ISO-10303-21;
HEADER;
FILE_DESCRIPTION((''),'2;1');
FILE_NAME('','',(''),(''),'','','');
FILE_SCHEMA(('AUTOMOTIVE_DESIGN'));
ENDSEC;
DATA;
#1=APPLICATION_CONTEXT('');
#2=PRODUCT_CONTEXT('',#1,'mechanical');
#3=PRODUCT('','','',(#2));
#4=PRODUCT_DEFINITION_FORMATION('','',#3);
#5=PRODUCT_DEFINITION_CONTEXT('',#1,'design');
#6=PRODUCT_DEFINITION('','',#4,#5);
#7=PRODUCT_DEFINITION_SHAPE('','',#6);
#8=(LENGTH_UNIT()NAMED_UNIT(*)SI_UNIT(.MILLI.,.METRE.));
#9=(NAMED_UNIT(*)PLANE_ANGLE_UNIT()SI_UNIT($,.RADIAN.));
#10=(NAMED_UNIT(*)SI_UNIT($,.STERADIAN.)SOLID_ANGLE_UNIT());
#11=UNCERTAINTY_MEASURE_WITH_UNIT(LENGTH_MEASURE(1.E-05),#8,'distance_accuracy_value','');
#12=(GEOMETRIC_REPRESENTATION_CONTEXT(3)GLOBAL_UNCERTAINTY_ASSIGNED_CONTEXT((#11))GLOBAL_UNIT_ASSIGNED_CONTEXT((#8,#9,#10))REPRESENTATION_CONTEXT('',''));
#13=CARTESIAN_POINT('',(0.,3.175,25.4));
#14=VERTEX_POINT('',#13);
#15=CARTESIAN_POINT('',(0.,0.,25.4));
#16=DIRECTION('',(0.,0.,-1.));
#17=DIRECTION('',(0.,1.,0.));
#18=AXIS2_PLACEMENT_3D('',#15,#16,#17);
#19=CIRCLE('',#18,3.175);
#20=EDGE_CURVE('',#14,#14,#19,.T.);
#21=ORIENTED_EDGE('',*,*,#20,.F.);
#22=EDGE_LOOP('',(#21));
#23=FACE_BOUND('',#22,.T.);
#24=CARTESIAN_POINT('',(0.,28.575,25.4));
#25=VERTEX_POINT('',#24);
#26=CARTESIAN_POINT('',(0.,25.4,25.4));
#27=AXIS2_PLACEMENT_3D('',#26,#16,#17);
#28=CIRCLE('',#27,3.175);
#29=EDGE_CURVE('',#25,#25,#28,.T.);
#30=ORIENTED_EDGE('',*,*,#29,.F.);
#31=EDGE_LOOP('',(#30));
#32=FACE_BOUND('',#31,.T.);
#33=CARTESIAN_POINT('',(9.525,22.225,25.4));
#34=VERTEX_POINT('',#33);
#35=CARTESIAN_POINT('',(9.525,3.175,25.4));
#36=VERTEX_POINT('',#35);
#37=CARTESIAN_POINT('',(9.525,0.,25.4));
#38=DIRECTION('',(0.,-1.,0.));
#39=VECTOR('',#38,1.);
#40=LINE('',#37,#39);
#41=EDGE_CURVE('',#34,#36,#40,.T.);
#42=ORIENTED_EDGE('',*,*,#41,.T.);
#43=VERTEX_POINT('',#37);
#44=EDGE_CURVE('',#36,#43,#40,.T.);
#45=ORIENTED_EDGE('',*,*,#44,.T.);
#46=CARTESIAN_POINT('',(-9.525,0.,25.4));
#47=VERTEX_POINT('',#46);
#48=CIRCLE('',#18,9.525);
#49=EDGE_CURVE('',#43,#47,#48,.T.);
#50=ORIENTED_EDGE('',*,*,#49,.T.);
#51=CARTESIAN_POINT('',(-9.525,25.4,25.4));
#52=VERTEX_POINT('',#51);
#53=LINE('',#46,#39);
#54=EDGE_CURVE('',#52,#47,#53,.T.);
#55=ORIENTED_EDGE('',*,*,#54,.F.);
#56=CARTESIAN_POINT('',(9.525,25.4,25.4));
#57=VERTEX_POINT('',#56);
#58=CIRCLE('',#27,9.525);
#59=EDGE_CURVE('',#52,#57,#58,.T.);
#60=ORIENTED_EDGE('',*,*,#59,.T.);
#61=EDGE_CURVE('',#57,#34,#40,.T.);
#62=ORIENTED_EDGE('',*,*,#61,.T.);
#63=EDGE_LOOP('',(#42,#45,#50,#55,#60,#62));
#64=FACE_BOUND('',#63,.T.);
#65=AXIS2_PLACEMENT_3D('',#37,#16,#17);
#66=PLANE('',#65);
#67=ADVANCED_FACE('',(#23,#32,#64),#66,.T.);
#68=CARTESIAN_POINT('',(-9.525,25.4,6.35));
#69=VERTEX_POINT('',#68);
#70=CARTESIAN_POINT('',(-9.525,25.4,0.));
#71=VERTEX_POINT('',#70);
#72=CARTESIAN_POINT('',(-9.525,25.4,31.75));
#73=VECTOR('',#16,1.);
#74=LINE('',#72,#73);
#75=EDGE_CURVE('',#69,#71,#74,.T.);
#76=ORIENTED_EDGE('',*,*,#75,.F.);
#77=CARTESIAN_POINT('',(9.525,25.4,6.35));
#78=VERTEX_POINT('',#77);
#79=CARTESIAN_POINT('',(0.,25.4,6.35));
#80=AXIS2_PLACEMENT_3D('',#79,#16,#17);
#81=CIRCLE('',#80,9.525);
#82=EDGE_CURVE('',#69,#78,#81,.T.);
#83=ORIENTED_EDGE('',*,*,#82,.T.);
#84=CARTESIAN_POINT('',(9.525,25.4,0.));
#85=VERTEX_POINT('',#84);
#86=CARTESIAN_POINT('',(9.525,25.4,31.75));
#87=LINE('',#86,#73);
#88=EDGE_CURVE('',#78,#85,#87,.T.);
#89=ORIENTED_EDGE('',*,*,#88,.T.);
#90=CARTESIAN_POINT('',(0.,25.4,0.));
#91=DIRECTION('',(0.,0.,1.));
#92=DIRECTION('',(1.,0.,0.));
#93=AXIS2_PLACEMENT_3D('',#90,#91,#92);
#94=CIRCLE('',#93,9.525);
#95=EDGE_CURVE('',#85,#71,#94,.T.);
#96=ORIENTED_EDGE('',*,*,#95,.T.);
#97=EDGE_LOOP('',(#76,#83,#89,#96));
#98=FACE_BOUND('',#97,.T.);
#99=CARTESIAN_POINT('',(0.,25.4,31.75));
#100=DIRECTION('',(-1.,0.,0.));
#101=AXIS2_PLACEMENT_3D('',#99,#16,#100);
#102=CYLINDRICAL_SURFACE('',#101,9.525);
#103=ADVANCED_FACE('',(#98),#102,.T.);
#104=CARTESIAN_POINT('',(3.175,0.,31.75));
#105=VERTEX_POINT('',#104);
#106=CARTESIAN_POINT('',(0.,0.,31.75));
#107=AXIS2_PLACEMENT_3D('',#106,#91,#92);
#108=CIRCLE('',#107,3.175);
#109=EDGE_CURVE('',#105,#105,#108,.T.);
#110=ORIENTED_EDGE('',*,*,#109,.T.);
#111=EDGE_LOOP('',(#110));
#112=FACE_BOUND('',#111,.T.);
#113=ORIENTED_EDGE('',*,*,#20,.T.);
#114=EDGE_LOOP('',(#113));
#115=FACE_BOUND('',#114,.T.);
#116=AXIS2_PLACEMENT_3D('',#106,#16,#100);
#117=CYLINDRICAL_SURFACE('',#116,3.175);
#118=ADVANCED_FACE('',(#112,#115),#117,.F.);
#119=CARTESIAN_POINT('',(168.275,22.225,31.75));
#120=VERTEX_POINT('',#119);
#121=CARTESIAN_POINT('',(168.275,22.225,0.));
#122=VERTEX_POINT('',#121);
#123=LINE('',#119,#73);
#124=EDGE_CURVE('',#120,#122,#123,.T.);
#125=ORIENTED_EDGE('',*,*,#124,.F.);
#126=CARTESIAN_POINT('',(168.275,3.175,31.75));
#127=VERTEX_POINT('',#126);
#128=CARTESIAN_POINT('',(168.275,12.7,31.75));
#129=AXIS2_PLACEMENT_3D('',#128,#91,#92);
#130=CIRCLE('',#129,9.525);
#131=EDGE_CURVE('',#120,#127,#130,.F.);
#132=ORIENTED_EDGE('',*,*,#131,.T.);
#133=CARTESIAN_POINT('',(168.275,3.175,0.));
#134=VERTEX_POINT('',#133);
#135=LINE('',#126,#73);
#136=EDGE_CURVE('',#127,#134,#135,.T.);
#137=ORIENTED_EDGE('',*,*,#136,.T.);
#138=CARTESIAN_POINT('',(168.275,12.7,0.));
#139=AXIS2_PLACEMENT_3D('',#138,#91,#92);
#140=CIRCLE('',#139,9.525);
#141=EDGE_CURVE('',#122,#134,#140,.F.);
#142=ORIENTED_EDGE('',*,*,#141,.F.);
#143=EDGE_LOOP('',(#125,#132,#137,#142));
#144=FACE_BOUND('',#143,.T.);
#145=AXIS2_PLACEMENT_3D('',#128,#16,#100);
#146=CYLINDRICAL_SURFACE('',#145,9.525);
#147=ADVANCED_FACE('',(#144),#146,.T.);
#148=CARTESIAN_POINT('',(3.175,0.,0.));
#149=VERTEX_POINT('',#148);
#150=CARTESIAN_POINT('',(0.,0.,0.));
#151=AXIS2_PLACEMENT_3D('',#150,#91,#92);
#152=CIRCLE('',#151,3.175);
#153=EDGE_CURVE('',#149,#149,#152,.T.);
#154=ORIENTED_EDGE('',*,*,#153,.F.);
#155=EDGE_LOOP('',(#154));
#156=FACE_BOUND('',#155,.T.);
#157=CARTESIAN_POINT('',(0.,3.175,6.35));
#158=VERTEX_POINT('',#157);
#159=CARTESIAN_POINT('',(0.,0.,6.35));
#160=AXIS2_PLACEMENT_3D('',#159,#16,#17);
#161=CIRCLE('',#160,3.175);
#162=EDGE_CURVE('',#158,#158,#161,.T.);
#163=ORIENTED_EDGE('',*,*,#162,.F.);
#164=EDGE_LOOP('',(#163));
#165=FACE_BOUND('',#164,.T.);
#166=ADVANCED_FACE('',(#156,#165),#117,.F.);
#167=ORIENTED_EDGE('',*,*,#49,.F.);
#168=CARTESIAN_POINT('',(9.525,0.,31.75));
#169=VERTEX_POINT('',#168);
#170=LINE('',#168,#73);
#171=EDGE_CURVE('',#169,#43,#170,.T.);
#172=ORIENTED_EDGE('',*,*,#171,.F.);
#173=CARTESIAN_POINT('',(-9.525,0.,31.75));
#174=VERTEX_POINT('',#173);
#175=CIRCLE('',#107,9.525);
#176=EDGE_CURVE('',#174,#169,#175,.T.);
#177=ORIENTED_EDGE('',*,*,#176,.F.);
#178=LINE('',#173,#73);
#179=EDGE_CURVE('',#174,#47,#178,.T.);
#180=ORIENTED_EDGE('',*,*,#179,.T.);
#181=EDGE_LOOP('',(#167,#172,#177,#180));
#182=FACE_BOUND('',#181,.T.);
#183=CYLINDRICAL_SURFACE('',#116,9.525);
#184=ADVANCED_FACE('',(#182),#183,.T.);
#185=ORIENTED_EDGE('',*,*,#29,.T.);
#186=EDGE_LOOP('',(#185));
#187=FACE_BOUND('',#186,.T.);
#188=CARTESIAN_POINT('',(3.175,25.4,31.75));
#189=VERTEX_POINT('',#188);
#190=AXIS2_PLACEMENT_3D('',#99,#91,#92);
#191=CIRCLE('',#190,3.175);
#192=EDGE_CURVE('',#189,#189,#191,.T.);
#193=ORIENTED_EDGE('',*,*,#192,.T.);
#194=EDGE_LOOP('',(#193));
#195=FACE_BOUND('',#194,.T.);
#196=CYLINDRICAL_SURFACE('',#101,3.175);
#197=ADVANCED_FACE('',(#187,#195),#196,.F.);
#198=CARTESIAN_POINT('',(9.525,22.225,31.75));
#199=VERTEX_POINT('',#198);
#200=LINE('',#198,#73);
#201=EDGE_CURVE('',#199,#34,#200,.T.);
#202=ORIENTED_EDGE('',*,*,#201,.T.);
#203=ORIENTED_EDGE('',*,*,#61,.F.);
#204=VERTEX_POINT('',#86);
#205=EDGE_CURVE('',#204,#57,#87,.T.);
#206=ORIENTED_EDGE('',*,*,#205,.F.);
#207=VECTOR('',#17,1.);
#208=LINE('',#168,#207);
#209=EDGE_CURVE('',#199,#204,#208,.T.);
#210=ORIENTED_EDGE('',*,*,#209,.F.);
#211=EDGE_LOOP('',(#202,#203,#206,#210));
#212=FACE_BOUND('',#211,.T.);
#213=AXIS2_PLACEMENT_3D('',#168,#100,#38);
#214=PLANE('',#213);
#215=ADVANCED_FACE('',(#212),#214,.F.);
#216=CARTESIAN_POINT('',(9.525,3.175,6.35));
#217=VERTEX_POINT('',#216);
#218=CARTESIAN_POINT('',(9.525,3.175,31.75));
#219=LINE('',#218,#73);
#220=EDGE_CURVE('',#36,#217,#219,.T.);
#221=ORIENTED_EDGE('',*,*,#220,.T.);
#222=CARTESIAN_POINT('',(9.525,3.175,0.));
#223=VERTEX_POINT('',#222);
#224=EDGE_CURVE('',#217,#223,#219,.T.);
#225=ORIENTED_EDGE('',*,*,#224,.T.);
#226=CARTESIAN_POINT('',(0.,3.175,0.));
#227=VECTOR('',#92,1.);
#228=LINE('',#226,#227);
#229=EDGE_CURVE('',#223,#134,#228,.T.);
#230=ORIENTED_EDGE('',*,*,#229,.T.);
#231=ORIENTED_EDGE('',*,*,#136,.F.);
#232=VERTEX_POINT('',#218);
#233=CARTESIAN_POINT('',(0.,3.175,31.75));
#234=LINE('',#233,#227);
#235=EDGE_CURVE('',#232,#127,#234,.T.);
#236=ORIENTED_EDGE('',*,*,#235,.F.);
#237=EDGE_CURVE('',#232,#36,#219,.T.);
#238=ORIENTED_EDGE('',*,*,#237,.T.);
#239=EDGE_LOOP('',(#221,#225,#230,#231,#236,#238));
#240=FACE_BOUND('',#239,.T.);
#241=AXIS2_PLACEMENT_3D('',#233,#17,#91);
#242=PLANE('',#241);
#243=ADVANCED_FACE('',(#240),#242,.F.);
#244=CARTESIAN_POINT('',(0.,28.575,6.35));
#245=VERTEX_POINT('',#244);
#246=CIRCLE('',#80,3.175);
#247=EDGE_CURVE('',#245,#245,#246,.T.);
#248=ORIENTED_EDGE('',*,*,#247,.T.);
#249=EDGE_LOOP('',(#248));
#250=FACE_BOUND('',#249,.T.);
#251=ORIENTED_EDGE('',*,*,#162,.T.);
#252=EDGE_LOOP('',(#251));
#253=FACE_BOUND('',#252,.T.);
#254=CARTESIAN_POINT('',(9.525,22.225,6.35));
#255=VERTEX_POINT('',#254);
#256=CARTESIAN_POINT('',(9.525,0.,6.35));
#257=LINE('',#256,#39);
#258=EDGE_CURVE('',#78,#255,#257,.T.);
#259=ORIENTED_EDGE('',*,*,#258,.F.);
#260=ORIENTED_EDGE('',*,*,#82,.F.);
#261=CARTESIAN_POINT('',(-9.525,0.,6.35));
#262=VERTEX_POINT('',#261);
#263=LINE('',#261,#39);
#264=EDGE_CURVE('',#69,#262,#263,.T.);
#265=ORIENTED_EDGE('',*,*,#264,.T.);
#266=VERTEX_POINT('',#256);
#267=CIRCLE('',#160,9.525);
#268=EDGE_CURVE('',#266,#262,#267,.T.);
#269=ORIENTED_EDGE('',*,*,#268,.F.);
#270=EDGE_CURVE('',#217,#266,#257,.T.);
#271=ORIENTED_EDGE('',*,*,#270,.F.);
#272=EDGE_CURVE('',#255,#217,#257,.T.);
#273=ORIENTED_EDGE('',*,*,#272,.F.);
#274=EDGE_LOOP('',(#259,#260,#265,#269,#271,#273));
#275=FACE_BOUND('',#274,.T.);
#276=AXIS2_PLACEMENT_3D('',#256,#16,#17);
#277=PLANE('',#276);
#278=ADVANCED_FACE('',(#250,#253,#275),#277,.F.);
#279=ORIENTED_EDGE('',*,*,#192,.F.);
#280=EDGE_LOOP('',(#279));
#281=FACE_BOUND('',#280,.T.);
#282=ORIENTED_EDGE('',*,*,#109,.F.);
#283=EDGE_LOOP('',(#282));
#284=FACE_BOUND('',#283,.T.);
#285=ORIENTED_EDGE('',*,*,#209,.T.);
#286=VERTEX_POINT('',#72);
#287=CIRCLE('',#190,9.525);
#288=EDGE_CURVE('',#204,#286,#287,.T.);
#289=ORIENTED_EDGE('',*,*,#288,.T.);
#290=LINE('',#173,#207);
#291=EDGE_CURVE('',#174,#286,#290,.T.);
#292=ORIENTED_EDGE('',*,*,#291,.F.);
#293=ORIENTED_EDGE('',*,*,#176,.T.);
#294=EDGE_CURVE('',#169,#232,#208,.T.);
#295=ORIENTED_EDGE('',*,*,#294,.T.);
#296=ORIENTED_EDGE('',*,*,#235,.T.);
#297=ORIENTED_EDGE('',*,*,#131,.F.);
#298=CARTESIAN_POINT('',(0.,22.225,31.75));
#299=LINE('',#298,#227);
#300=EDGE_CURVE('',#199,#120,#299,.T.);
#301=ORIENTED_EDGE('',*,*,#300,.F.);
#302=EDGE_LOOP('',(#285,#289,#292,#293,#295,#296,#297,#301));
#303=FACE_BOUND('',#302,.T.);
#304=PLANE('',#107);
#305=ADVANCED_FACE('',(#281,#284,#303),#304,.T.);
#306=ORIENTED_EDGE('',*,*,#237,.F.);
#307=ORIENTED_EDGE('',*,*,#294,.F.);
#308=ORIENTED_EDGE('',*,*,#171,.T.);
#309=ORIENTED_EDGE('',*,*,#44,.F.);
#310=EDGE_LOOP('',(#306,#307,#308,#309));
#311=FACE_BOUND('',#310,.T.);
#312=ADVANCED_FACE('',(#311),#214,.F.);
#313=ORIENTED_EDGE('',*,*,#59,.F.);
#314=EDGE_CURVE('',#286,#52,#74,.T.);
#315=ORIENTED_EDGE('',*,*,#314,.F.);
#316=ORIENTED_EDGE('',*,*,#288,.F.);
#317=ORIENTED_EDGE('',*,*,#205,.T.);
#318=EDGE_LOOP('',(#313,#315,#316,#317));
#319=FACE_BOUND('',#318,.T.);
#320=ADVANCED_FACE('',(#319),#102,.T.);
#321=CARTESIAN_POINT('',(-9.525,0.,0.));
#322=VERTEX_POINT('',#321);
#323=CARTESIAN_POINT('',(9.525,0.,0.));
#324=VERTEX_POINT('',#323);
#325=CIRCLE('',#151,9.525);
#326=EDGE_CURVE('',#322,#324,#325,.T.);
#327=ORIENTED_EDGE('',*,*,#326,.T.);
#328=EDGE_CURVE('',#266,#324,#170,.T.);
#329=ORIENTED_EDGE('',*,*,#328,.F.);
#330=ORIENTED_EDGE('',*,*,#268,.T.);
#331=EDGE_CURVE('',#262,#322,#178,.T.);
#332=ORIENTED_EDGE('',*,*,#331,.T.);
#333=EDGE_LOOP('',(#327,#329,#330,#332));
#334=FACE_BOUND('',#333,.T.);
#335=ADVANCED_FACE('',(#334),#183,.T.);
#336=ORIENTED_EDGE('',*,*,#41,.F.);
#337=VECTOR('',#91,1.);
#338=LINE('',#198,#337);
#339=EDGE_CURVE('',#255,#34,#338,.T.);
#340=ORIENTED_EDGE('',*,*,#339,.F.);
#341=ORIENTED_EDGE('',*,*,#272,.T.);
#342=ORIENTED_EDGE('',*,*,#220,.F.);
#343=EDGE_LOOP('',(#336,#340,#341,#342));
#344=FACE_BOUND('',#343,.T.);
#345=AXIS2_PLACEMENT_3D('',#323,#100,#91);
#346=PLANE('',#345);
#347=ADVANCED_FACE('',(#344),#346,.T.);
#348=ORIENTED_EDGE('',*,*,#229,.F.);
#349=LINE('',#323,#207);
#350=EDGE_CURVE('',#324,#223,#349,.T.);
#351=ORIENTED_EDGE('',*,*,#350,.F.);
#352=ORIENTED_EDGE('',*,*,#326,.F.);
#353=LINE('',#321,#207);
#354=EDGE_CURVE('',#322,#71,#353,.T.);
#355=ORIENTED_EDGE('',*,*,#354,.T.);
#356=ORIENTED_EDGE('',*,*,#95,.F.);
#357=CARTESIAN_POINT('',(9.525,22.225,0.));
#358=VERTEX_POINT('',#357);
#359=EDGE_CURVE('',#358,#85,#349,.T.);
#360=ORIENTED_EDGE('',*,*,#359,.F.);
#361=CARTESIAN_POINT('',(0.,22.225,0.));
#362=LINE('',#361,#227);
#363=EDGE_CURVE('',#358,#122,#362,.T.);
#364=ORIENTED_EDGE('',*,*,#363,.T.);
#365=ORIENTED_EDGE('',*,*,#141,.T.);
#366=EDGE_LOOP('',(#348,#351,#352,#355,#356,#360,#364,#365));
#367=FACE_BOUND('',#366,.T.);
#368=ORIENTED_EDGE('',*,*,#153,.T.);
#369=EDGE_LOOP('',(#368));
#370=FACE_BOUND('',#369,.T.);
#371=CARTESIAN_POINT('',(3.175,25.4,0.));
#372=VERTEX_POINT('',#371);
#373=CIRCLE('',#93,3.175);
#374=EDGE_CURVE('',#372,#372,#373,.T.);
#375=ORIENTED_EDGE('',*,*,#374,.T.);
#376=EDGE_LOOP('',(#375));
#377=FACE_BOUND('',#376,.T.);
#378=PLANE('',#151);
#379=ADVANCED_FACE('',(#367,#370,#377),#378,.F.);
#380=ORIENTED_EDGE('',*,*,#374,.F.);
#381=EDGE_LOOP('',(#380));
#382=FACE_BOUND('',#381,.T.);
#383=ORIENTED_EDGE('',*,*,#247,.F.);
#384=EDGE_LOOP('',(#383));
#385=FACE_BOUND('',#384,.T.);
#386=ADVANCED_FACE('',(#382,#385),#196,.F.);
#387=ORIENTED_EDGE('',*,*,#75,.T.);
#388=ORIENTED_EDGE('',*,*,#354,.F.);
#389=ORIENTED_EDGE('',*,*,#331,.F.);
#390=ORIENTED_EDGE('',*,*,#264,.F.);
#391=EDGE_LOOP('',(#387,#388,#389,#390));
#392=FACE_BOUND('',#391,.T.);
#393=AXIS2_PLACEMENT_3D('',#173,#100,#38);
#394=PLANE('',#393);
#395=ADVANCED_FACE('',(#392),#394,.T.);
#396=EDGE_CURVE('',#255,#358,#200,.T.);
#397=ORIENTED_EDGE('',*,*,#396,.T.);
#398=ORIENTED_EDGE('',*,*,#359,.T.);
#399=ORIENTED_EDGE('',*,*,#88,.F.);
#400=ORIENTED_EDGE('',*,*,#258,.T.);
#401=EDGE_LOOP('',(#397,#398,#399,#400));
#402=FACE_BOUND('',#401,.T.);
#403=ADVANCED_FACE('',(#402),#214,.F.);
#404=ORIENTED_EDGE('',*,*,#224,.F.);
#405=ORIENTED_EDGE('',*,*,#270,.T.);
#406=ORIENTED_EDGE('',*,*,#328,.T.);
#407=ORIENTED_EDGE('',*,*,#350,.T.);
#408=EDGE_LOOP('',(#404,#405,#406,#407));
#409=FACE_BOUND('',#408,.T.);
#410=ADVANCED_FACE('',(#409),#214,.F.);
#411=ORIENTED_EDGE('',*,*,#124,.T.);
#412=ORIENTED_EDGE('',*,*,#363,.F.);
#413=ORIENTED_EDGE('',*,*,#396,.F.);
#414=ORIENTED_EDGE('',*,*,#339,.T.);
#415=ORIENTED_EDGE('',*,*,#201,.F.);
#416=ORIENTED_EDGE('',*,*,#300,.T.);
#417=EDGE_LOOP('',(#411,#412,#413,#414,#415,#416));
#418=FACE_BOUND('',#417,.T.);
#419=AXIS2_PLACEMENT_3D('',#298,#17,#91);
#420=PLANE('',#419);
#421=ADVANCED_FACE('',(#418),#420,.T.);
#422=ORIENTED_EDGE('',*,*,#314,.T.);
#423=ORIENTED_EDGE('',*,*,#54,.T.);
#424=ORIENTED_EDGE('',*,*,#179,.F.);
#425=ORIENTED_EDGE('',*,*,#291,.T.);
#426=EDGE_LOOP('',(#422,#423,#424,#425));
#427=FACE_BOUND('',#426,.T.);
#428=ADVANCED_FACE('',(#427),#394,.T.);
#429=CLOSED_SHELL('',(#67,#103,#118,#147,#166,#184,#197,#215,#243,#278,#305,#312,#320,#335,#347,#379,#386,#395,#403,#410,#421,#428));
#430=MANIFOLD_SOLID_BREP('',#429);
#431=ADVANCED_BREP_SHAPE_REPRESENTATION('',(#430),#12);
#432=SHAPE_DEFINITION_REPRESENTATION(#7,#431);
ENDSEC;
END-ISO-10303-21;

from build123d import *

# Parameters (mm, degrees)
SKETCH1_R           = 3.175
BOSS_EXTRUDE1_DEPTH = 31.75
SKETCH2_W           = 19.05
SKETCH2_H           = 25.4
SKETCH2_H_2         = 9.525
CUT_EXTRUDE1_DEPTH  = 19.05


with BuildPart() as part:
    # Sketch1 → Boss-Extrude1 (new body)
    with BuildSketch(Plane.XY):
        with BuildLine():
            Line((-9.525, 25.4), (-9.525, 0))
            ThreePointArc((-9.525, 0), (0, -9.525), (9.525, 0))
            Line((9.525, 0), (9.525, 3.175))
            Line((9.525, 3.175), (168.275, 3.175))
            ThreePointArc((168.275, 3.175), (177.8, 12.7), (168.275, 22.225))
            Line((168.275, 22.225), (9.525, 22.225))
            Line((9.525, 22.225), (9.525, 25.4))
            ThreePointArc((9.525, 25.4), (0, 34.925), (-9.525, 25.4))
        make_face()
        Circle(SKETCH1_R, mode=Mode.SUBTRACT)
        with Locations((0, 25.4)):
            Circle(SKETCH1_R, mode=Mode.SUBTRACT)
    extrude(amount=BOSS_EXTRUDE1_DEPTH)

    # Sketch2 → Cut-Extrude1 (cut)
    with BuildSketch(Plane.ZY.offset(9.525)):
        with Locations((15.875, 12.7)):
            Rectangle(SKETCH2_W, SKETCH2_H)
        with Locations((15.875, 30.1625)):
            Rectangle(SKETCH2_W, SKETCH2_H_2)
        with Locations((15.875, -4.7625)):
            Rectangle(SKETCH2_W, SKETCH2_H_2)
    extrude(amount=-CUT_EXTRUDE1_DEPTH, mode=Mode.SUBTRACT)


solid = part.part
